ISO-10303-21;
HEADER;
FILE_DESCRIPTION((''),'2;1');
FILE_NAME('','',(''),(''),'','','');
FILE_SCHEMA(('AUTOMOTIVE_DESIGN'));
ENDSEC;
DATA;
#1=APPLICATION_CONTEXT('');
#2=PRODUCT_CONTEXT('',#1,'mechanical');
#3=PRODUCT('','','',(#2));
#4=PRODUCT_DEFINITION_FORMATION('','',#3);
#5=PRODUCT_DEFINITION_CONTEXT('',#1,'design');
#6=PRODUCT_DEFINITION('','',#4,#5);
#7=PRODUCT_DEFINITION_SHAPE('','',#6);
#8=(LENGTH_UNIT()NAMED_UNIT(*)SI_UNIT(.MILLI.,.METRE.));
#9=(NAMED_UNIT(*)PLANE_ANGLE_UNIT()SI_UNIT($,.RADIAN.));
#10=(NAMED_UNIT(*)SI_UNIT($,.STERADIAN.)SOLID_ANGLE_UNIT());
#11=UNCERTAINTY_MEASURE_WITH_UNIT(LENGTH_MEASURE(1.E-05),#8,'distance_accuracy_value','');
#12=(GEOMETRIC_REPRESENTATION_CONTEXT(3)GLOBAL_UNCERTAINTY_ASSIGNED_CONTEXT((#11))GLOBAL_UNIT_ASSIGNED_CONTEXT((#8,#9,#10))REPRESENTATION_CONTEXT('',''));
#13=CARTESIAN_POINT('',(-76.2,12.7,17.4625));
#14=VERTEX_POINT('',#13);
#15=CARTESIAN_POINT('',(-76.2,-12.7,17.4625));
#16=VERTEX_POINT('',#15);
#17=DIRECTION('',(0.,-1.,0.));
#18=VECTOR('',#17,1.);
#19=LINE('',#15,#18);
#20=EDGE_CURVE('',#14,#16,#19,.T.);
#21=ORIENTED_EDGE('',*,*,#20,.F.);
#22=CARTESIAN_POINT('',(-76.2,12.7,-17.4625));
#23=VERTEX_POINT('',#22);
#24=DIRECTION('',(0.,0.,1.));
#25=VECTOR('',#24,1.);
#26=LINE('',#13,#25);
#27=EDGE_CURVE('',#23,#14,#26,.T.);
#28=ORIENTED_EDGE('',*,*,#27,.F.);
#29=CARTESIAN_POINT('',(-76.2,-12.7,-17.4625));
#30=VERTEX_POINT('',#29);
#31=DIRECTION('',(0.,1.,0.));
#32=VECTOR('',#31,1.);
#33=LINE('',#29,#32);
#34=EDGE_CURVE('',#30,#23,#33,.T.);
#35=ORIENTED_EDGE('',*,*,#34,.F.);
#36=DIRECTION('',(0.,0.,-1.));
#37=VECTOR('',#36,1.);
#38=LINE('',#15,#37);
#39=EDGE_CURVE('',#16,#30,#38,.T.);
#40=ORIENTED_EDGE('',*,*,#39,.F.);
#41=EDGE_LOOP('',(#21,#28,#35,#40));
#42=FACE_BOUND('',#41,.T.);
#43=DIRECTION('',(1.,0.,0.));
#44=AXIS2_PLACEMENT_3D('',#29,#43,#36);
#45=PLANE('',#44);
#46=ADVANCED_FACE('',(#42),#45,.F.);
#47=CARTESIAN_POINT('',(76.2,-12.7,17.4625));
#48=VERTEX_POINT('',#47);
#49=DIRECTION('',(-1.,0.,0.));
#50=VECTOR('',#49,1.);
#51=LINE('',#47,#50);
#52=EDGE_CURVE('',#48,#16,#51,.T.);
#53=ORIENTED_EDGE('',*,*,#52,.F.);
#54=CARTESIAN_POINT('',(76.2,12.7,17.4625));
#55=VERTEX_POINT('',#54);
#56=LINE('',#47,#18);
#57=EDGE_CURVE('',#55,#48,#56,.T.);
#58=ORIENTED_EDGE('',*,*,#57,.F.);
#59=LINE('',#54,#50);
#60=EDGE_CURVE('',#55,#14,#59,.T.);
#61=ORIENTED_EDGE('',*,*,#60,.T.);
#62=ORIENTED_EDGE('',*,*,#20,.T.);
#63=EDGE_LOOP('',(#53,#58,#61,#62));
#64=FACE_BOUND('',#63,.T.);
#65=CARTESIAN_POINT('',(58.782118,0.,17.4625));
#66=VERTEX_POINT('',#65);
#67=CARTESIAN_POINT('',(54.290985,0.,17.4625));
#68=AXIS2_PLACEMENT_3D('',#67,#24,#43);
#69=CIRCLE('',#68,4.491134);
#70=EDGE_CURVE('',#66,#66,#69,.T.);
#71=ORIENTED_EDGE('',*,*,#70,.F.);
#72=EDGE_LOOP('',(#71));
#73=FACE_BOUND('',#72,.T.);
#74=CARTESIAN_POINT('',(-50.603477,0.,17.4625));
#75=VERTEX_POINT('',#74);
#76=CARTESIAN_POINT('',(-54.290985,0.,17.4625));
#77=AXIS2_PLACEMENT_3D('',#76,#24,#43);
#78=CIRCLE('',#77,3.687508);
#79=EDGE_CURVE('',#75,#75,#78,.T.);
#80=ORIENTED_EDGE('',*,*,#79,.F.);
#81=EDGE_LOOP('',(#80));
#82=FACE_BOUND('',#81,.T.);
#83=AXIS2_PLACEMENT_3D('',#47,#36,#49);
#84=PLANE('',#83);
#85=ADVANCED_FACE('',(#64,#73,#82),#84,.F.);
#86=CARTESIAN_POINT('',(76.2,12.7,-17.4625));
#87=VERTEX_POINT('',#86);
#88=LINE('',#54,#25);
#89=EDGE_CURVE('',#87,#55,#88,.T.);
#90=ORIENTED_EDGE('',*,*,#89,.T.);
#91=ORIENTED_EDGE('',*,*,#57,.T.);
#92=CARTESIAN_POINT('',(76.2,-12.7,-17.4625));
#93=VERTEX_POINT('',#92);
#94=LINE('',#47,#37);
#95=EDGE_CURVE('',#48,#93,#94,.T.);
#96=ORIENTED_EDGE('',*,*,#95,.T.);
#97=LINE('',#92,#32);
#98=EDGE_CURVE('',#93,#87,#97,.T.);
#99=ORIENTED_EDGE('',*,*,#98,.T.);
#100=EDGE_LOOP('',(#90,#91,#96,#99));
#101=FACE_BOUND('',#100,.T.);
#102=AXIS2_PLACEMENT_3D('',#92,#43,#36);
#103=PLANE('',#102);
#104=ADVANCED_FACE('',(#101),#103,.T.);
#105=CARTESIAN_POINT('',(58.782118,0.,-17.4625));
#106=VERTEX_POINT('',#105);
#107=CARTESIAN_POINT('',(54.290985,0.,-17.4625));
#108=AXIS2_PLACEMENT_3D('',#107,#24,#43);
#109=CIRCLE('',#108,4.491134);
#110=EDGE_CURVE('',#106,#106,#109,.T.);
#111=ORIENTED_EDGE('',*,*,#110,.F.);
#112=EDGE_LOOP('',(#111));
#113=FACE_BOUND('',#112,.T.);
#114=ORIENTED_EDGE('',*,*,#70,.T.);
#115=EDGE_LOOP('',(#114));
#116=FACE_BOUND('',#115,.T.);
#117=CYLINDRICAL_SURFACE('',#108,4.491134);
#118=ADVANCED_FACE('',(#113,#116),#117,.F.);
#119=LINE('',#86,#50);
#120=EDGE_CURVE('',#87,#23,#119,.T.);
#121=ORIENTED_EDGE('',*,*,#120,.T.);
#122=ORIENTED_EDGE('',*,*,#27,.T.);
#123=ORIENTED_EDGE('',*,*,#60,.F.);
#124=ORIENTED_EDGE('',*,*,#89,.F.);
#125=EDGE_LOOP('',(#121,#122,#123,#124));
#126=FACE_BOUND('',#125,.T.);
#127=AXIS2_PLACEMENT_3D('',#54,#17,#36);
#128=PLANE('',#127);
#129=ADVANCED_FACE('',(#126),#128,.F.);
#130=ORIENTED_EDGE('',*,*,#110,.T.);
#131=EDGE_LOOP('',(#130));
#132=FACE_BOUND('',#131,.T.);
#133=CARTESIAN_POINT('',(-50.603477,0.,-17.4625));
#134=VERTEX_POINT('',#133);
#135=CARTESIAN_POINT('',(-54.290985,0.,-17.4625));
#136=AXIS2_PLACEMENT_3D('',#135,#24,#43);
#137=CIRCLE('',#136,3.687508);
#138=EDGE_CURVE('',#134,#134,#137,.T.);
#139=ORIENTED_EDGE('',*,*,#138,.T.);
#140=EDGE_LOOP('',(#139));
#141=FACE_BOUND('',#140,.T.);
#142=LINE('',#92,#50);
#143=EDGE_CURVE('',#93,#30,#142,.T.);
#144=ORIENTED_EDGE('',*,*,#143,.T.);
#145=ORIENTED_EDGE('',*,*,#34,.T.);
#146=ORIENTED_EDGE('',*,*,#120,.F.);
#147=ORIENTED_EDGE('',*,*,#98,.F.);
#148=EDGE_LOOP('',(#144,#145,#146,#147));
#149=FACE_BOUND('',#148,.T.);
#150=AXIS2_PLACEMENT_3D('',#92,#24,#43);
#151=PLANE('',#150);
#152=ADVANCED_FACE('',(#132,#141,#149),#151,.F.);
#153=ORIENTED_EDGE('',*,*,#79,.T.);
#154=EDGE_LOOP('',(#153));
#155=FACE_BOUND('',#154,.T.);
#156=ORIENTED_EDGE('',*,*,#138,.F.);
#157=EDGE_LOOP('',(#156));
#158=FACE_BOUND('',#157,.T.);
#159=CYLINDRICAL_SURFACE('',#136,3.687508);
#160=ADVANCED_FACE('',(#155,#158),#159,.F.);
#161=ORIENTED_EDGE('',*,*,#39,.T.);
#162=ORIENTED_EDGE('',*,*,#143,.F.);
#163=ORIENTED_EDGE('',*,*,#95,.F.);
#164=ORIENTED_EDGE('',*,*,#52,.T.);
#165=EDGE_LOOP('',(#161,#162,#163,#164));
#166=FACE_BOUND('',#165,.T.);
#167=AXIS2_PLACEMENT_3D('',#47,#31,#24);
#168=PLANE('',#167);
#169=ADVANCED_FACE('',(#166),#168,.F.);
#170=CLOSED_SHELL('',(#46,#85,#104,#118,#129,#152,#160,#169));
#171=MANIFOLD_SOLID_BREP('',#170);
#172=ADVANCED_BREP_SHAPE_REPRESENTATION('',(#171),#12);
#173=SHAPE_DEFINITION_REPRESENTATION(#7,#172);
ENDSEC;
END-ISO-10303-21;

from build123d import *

# Parameters (mm, degrees)
SKETCH1_W           = 34.925
SKETCH1_H           = 25.4
BOSS_EXTRUDE1_DEPTH = 76.2
SKETCH2_R           = 3.687507865
SKETCH2_R_2         = 4.491133618
CUT_EXTRUDE1_DEPTH  = 85.77904001


with BuildPart() as part:
    # Sketch1 → Boss-Extrude1 (new, symmetric)
    with BuildSketch(Plane(origin=(0, 0, 0), x_dir=(0, 0, -1), z_dir=(1, 0, 0))):
        Rectangle(SKETCH1_W, SKETCH1_H)
    extrude(amount=BOSS_EXTRUDE1_DEPTH, both=True)

    # Sketch2 → Cut-Extrude1 (cut, through all)
    with BuildSketch(Plane.XY.offset(17.4625)):
        with Locations((-54.290984638, 0)):
            Circle(SKETCH2_R)
        with Locations((54.290984638, 0)):
            Circle(SKETCH2_R_2)
    extrude(amount=-CUT_EXTRUDE1_DEPTH, mode=Mode.SUBTRACT)


solid = part.part
